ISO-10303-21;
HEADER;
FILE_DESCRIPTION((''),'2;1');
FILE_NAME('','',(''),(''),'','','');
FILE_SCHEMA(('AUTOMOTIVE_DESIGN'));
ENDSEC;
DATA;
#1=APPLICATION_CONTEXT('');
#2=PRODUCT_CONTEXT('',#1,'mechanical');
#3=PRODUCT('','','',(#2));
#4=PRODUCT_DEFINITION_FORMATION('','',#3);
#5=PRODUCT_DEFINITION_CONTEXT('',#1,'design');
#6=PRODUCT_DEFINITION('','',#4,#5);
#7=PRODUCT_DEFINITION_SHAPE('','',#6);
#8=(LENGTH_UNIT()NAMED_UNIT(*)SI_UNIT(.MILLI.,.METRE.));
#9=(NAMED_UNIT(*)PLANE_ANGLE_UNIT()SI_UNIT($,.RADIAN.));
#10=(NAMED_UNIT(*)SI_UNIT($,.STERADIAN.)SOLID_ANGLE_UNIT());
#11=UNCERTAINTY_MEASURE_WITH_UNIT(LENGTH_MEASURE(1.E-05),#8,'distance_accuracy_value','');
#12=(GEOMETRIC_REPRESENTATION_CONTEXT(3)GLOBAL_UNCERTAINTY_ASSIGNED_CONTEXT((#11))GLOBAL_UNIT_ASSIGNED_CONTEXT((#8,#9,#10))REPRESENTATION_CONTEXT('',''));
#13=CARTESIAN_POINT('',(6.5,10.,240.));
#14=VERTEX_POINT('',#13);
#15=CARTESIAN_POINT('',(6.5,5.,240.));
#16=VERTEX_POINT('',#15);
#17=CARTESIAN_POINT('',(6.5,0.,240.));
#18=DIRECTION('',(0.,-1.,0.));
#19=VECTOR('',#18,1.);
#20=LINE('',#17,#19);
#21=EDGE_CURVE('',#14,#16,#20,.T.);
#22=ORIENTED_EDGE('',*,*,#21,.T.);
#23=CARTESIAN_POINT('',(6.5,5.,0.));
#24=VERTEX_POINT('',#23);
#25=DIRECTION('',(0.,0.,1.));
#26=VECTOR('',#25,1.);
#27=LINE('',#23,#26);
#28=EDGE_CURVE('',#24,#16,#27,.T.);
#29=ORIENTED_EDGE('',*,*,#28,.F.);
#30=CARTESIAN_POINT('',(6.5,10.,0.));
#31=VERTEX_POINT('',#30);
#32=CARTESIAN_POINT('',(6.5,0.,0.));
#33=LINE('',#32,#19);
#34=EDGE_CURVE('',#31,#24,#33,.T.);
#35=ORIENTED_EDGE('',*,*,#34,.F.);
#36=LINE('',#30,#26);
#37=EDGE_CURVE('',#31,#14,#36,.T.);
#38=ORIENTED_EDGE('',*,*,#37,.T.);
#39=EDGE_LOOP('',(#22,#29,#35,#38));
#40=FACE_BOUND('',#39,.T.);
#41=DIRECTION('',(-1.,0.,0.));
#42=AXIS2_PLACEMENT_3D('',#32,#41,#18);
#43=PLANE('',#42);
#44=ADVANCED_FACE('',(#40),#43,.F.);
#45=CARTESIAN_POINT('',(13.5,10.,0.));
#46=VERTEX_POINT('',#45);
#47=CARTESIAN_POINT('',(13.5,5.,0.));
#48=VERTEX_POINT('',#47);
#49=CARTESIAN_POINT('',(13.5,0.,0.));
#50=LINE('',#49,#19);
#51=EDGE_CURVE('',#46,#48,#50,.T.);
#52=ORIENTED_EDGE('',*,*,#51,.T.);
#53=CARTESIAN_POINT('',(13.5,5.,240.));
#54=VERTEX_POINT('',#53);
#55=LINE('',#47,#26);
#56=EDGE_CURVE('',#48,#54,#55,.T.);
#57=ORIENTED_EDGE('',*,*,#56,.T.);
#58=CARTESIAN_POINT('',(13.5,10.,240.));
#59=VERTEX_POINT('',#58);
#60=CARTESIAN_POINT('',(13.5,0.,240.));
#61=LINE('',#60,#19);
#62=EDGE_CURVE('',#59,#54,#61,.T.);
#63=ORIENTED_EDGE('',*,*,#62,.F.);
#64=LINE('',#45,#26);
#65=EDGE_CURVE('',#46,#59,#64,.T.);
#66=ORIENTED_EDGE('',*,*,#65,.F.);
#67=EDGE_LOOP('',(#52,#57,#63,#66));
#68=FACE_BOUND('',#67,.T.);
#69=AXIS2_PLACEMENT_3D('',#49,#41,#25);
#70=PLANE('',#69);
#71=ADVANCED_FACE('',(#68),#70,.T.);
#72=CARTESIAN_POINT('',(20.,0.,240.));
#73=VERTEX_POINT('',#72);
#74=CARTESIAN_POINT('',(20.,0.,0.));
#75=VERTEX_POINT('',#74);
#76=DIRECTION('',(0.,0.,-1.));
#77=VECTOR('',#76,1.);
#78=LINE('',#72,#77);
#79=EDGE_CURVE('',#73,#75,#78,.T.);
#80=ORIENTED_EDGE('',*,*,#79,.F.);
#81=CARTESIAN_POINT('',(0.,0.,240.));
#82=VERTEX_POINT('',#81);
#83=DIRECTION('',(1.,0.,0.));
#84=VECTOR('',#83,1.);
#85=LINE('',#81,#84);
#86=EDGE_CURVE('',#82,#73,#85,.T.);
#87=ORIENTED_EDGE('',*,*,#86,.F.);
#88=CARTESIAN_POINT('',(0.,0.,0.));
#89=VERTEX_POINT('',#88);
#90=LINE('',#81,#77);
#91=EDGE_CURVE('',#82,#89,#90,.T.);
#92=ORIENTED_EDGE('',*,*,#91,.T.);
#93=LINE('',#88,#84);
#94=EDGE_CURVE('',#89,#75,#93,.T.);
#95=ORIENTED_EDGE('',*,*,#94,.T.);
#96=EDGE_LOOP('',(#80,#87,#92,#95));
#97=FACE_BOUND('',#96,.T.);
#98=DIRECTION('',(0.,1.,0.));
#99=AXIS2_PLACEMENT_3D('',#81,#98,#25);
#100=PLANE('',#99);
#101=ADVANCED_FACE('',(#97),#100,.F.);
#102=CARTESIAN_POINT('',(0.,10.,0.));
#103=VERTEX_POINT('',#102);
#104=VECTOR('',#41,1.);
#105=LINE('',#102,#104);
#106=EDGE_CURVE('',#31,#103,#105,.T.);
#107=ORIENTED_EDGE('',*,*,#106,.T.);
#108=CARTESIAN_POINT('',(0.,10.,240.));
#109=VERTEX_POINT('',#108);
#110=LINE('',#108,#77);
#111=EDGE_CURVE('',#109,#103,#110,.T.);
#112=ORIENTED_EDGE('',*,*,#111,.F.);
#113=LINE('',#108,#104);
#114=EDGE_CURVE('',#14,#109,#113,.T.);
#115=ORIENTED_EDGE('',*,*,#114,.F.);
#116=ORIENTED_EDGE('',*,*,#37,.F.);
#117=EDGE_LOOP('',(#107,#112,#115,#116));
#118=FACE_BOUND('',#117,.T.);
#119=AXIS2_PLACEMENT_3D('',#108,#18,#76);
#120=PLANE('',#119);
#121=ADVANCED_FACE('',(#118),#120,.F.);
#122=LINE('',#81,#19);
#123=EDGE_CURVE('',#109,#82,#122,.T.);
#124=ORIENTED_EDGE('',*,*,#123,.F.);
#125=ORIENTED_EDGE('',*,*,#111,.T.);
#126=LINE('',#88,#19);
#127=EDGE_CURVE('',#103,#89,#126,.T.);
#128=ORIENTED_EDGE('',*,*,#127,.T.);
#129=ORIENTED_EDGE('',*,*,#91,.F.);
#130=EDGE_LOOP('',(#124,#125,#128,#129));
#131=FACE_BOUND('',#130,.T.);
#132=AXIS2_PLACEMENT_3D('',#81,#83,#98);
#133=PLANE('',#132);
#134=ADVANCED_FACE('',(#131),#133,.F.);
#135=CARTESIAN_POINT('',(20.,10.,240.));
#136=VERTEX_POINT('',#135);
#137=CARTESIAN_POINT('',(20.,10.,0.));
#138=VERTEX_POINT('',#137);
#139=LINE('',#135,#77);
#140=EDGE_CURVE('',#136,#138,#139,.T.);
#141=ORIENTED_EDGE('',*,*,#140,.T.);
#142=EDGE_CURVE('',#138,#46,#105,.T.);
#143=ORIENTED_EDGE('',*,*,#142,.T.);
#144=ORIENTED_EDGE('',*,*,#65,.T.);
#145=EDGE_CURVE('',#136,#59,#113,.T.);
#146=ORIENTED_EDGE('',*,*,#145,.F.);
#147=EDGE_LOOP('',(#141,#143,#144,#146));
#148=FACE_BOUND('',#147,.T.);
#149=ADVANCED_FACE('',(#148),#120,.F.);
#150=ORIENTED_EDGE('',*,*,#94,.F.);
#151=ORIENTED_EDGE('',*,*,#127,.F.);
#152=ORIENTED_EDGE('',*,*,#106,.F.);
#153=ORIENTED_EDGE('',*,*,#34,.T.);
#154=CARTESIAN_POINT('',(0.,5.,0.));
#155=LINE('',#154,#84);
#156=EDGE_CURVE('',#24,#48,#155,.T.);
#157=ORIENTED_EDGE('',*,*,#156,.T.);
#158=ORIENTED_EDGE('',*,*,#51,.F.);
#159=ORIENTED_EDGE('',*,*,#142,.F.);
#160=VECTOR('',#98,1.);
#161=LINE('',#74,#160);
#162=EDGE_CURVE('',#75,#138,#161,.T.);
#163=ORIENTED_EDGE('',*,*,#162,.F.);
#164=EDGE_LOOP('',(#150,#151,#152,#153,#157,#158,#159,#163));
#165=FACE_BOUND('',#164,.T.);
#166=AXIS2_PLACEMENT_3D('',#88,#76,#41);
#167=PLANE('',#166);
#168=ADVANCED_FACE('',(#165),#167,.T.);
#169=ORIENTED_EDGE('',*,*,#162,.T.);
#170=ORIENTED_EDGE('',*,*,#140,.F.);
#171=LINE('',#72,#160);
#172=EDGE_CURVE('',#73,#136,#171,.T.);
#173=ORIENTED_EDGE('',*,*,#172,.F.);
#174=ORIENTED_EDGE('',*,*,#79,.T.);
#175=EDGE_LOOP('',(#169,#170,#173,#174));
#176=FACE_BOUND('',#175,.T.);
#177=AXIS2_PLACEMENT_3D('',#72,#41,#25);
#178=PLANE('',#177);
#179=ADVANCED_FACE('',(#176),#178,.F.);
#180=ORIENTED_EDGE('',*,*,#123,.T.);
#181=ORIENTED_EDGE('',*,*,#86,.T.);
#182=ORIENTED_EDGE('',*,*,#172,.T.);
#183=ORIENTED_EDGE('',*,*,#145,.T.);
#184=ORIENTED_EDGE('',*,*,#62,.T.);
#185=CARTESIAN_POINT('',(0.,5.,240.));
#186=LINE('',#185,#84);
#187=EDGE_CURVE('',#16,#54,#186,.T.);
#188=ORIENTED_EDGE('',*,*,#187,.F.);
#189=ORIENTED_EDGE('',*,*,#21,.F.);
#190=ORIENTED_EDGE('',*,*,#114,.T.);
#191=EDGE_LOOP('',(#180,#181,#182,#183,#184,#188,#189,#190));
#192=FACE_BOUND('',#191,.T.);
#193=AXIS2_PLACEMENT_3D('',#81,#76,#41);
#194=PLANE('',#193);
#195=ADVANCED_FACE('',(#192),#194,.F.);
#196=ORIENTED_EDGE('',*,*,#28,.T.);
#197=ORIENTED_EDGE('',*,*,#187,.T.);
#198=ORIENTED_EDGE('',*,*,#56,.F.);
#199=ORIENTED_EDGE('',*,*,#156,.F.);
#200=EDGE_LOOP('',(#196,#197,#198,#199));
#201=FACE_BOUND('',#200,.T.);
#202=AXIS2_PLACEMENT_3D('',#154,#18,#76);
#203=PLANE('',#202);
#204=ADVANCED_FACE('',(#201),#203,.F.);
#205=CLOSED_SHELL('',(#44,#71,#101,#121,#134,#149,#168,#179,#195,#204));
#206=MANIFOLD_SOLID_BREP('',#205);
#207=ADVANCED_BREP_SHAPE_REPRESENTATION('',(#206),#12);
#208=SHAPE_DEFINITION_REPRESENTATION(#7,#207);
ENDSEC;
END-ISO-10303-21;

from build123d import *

# Parameters (mm, degrees)
SKETCH2_W           = 20
SKETCH2_H           = 10
BOSS_EXTRUDE1_DEPTH = 240
SKETCH4_W           = 7
SKETCH4_H           = 5
CUT_EXTRUDE1_DEPTH  = 241


with BuildPart() as part:
    # Sketch2 → Boss-Extrude1 (new body)
    with BuildSketch(Plane.XY):
        with Locations((10, 5)):
            Rectangle(SKETCH2_W, SKETCH2_H)
    extrude(amount=BOSS_EXTRUDE1_DEPTH)

    # Sketch4 → Cut-Extrude1 (cut, through all)
    with BuildSketch(Plane.XY.offset(240)):
        with Locations((10, 7.5)):
            Rectangle(SKETCH4_W, SKETCH4_H)
    extrude(amount=-CUT_EXTRUDE1_DEPTH, mode=Mode.SUBTRACT)


solid = part.part
